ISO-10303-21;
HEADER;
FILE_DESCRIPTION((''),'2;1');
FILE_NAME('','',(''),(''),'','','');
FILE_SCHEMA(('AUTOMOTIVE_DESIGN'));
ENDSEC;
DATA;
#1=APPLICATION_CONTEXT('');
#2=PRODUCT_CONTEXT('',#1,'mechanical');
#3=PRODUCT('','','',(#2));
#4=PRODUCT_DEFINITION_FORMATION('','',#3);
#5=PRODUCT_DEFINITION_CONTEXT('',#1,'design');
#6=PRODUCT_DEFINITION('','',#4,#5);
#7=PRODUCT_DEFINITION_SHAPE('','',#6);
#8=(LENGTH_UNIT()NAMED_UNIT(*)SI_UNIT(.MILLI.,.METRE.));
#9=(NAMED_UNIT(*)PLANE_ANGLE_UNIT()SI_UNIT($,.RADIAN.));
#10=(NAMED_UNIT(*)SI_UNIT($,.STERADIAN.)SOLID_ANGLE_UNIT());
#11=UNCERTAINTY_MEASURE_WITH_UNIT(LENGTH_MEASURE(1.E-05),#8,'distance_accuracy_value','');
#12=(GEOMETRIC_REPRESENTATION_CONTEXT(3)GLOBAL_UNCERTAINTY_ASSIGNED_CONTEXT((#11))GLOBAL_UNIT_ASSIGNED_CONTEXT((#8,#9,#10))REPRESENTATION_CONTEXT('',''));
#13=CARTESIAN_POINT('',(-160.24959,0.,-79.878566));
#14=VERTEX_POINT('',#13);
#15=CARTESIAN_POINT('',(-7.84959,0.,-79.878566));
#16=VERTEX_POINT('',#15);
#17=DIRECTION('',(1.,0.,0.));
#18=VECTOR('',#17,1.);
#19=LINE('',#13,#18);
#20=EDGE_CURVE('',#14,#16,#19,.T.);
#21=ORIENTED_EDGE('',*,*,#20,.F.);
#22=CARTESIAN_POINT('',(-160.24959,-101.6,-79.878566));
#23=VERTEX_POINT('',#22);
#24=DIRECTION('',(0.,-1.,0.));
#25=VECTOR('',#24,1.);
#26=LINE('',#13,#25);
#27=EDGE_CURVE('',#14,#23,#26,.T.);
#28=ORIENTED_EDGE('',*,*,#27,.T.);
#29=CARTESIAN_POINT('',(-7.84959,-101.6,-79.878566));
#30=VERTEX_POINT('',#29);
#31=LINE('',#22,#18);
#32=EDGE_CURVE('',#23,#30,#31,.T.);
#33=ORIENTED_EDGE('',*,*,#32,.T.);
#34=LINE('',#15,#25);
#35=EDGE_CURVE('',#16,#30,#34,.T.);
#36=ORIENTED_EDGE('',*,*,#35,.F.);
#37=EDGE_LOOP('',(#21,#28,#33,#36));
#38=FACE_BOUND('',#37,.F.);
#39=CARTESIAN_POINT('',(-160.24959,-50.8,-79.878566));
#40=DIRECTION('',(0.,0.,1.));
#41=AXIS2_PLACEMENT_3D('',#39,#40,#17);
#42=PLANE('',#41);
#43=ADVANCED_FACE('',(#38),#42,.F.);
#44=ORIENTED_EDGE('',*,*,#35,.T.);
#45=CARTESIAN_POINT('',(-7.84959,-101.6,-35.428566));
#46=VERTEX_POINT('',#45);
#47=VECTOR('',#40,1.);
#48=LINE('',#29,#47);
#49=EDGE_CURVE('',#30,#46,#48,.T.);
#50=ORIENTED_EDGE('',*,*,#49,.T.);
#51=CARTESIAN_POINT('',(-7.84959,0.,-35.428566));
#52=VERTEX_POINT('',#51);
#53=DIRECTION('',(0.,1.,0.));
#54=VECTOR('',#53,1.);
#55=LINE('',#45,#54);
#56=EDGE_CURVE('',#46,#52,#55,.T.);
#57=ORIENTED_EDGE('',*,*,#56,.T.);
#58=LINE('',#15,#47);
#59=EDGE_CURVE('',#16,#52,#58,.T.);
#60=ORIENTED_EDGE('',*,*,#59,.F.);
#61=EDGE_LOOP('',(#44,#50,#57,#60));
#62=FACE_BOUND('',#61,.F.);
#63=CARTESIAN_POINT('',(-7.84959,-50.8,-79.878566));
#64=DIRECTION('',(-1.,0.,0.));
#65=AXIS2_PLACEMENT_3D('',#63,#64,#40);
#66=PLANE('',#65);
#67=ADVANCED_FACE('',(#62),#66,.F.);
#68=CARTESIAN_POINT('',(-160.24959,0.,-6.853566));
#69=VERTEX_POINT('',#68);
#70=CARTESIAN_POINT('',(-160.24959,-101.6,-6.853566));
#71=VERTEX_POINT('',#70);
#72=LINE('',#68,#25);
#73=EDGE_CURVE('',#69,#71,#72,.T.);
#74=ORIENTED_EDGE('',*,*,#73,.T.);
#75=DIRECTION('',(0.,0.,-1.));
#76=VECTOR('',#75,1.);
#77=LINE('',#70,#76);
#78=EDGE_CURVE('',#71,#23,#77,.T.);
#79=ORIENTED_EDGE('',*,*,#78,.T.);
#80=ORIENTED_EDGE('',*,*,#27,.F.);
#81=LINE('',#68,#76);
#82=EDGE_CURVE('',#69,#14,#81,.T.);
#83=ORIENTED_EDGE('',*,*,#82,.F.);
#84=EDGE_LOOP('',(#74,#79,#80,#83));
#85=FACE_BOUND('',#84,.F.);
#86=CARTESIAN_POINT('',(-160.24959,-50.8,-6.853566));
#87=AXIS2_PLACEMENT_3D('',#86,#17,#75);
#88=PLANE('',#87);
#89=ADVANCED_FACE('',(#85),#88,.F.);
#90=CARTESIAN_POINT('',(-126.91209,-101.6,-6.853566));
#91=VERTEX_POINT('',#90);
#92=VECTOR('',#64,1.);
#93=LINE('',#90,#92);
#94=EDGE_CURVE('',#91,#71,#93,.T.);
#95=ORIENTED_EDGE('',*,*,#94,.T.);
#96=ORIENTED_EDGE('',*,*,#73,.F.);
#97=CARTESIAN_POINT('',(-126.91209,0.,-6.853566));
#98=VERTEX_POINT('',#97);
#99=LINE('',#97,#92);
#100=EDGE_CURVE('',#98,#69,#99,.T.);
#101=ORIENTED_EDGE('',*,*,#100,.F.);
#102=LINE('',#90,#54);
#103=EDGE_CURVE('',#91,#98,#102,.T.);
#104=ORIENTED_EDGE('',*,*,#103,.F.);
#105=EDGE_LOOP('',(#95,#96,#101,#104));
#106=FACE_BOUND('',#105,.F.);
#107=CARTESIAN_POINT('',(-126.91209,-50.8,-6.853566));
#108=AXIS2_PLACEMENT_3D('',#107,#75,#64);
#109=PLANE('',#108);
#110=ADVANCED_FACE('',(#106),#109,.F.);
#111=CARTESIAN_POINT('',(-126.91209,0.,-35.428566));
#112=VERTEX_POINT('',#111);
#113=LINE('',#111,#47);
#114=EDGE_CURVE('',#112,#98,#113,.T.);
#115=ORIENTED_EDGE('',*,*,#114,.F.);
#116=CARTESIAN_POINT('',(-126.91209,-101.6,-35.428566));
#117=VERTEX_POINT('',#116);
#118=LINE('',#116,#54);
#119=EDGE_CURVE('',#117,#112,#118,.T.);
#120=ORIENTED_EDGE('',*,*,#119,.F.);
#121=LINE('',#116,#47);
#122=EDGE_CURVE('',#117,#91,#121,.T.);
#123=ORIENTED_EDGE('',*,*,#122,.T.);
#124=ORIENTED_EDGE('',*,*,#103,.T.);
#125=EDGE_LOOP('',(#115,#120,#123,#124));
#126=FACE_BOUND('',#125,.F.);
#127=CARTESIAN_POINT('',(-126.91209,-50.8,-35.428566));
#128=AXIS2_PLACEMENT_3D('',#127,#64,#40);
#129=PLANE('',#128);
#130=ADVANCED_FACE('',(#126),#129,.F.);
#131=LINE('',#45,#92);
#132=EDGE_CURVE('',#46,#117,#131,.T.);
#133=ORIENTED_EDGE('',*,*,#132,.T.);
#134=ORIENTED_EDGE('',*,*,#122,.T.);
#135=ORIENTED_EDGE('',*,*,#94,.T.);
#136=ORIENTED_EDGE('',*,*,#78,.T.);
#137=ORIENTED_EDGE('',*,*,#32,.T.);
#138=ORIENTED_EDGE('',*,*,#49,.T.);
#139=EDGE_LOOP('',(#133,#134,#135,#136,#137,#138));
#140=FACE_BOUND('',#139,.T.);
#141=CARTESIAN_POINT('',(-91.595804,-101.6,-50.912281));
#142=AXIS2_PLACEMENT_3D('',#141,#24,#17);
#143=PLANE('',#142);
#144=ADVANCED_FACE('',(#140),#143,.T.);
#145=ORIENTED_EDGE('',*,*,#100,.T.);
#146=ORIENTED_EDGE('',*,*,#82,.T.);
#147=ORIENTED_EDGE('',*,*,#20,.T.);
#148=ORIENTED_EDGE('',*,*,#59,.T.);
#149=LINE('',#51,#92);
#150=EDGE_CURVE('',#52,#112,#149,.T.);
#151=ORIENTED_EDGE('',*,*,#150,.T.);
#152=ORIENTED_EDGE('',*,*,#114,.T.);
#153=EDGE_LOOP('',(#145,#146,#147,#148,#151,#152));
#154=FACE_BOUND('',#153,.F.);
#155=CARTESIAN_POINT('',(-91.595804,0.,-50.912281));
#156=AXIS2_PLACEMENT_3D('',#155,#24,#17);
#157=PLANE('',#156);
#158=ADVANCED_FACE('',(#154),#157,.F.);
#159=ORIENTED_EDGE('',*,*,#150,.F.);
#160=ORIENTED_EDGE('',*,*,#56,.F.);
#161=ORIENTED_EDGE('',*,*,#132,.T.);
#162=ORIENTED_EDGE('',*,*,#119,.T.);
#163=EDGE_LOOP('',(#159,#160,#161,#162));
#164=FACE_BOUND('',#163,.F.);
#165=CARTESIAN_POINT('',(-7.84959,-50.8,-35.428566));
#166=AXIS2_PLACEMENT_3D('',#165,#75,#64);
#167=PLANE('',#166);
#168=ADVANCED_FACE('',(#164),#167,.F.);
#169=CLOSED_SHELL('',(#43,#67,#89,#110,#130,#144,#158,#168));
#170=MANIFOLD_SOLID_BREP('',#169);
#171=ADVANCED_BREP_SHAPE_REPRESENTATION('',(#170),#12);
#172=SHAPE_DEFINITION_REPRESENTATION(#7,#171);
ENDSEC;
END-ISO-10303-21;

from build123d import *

# Parameters (mm, degrees)
F1_DEPTH = 25.4
F2_DEPTH = 25.4
F3_DEPTH = 50.8


with BuildPart() as f1:
    # F0 (on Front) → F1 (new body)
    with BuildSketch(Plane.XZ):
        Polygon((-126.9120896435, -6.8535663185), (-160.2495896435, -6.8535663185), (-160.2495896435, -79.8785663185), (-7.8495896435, -79.8785663185), (-7.8495896435, -35.4285663185), (-126.9120896435, -35.4285663185), align=None)
    extrude(amount=F1_DEPTH)

    # F2 (add): a face of the model
    f2_faces = [f1.faces().sort_by_distance(p)[0] for p in [
        (-91.3890588215, -25.4, -53.1520252226),
    ]]
    extrude(f2_faces, amount=F2_DEPTH)

    # F3 (add): a face of the model
    f3_faces = [f1.faces().sort_by_distance(p)[0] for p in [
        (-91.3890588215, -50.8, -53.1520252226),
    ]]
    extrude(f3_faces, amount=F3_DEPTH)


solid = f1.part
